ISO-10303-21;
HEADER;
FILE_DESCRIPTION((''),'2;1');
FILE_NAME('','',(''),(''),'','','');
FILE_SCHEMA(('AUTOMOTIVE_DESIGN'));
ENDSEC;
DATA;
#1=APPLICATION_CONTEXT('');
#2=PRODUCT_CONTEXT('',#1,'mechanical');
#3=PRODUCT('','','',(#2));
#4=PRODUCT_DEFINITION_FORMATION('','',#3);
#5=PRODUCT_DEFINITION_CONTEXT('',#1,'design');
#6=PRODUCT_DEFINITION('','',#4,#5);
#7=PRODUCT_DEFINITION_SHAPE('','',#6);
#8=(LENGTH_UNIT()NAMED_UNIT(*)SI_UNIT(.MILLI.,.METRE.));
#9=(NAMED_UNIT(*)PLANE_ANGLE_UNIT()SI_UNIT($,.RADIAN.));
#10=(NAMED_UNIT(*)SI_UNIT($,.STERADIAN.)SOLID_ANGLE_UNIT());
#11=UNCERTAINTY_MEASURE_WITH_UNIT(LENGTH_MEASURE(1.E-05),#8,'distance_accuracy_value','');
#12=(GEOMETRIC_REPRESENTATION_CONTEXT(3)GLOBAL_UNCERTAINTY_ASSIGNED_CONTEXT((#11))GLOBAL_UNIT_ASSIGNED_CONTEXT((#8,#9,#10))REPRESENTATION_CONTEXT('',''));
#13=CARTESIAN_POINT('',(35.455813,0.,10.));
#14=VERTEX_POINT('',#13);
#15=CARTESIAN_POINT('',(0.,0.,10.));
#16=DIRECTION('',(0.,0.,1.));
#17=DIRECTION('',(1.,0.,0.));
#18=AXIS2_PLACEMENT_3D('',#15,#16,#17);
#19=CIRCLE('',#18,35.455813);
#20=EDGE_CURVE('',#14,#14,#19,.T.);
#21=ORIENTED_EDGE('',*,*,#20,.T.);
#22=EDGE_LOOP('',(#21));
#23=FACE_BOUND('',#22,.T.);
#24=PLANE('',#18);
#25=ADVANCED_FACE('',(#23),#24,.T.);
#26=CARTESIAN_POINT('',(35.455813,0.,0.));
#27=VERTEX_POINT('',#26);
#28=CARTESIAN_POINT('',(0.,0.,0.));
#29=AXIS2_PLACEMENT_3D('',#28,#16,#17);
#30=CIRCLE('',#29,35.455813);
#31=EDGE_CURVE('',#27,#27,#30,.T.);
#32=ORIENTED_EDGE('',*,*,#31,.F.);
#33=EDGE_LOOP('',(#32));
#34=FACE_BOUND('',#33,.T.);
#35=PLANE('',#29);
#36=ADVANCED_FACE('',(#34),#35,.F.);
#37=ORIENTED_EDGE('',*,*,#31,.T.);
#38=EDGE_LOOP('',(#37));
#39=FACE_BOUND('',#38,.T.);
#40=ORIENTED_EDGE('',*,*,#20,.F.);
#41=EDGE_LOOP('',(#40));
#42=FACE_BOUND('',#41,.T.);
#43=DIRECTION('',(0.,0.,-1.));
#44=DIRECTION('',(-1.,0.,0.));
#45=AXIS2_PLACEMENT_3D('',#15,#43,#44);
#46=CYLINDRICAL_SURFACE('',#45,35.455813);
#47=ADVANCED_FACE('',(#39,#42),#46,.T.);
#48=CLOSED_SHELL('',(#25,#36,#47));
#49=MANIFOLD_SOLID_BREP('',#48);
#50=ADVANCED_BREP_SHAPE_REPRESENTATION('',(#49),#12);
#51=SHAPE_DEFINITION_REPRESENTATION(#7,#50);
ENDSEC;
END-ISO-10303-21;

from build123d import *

# Parameters (mm, degrees)
SKETCH_1_R      = 35.455812903
EXTRUDE_1_DEPTH = 10


with BuildPart() as part:
    # 草图1 → 凸台-拉伸1 (new body)
    with BuildSketch(Plane.XY):
        Circle(SKETCH_1_R)
    extrude(amount=EXTRUDE_1_DEPTH)


solid = part.part
